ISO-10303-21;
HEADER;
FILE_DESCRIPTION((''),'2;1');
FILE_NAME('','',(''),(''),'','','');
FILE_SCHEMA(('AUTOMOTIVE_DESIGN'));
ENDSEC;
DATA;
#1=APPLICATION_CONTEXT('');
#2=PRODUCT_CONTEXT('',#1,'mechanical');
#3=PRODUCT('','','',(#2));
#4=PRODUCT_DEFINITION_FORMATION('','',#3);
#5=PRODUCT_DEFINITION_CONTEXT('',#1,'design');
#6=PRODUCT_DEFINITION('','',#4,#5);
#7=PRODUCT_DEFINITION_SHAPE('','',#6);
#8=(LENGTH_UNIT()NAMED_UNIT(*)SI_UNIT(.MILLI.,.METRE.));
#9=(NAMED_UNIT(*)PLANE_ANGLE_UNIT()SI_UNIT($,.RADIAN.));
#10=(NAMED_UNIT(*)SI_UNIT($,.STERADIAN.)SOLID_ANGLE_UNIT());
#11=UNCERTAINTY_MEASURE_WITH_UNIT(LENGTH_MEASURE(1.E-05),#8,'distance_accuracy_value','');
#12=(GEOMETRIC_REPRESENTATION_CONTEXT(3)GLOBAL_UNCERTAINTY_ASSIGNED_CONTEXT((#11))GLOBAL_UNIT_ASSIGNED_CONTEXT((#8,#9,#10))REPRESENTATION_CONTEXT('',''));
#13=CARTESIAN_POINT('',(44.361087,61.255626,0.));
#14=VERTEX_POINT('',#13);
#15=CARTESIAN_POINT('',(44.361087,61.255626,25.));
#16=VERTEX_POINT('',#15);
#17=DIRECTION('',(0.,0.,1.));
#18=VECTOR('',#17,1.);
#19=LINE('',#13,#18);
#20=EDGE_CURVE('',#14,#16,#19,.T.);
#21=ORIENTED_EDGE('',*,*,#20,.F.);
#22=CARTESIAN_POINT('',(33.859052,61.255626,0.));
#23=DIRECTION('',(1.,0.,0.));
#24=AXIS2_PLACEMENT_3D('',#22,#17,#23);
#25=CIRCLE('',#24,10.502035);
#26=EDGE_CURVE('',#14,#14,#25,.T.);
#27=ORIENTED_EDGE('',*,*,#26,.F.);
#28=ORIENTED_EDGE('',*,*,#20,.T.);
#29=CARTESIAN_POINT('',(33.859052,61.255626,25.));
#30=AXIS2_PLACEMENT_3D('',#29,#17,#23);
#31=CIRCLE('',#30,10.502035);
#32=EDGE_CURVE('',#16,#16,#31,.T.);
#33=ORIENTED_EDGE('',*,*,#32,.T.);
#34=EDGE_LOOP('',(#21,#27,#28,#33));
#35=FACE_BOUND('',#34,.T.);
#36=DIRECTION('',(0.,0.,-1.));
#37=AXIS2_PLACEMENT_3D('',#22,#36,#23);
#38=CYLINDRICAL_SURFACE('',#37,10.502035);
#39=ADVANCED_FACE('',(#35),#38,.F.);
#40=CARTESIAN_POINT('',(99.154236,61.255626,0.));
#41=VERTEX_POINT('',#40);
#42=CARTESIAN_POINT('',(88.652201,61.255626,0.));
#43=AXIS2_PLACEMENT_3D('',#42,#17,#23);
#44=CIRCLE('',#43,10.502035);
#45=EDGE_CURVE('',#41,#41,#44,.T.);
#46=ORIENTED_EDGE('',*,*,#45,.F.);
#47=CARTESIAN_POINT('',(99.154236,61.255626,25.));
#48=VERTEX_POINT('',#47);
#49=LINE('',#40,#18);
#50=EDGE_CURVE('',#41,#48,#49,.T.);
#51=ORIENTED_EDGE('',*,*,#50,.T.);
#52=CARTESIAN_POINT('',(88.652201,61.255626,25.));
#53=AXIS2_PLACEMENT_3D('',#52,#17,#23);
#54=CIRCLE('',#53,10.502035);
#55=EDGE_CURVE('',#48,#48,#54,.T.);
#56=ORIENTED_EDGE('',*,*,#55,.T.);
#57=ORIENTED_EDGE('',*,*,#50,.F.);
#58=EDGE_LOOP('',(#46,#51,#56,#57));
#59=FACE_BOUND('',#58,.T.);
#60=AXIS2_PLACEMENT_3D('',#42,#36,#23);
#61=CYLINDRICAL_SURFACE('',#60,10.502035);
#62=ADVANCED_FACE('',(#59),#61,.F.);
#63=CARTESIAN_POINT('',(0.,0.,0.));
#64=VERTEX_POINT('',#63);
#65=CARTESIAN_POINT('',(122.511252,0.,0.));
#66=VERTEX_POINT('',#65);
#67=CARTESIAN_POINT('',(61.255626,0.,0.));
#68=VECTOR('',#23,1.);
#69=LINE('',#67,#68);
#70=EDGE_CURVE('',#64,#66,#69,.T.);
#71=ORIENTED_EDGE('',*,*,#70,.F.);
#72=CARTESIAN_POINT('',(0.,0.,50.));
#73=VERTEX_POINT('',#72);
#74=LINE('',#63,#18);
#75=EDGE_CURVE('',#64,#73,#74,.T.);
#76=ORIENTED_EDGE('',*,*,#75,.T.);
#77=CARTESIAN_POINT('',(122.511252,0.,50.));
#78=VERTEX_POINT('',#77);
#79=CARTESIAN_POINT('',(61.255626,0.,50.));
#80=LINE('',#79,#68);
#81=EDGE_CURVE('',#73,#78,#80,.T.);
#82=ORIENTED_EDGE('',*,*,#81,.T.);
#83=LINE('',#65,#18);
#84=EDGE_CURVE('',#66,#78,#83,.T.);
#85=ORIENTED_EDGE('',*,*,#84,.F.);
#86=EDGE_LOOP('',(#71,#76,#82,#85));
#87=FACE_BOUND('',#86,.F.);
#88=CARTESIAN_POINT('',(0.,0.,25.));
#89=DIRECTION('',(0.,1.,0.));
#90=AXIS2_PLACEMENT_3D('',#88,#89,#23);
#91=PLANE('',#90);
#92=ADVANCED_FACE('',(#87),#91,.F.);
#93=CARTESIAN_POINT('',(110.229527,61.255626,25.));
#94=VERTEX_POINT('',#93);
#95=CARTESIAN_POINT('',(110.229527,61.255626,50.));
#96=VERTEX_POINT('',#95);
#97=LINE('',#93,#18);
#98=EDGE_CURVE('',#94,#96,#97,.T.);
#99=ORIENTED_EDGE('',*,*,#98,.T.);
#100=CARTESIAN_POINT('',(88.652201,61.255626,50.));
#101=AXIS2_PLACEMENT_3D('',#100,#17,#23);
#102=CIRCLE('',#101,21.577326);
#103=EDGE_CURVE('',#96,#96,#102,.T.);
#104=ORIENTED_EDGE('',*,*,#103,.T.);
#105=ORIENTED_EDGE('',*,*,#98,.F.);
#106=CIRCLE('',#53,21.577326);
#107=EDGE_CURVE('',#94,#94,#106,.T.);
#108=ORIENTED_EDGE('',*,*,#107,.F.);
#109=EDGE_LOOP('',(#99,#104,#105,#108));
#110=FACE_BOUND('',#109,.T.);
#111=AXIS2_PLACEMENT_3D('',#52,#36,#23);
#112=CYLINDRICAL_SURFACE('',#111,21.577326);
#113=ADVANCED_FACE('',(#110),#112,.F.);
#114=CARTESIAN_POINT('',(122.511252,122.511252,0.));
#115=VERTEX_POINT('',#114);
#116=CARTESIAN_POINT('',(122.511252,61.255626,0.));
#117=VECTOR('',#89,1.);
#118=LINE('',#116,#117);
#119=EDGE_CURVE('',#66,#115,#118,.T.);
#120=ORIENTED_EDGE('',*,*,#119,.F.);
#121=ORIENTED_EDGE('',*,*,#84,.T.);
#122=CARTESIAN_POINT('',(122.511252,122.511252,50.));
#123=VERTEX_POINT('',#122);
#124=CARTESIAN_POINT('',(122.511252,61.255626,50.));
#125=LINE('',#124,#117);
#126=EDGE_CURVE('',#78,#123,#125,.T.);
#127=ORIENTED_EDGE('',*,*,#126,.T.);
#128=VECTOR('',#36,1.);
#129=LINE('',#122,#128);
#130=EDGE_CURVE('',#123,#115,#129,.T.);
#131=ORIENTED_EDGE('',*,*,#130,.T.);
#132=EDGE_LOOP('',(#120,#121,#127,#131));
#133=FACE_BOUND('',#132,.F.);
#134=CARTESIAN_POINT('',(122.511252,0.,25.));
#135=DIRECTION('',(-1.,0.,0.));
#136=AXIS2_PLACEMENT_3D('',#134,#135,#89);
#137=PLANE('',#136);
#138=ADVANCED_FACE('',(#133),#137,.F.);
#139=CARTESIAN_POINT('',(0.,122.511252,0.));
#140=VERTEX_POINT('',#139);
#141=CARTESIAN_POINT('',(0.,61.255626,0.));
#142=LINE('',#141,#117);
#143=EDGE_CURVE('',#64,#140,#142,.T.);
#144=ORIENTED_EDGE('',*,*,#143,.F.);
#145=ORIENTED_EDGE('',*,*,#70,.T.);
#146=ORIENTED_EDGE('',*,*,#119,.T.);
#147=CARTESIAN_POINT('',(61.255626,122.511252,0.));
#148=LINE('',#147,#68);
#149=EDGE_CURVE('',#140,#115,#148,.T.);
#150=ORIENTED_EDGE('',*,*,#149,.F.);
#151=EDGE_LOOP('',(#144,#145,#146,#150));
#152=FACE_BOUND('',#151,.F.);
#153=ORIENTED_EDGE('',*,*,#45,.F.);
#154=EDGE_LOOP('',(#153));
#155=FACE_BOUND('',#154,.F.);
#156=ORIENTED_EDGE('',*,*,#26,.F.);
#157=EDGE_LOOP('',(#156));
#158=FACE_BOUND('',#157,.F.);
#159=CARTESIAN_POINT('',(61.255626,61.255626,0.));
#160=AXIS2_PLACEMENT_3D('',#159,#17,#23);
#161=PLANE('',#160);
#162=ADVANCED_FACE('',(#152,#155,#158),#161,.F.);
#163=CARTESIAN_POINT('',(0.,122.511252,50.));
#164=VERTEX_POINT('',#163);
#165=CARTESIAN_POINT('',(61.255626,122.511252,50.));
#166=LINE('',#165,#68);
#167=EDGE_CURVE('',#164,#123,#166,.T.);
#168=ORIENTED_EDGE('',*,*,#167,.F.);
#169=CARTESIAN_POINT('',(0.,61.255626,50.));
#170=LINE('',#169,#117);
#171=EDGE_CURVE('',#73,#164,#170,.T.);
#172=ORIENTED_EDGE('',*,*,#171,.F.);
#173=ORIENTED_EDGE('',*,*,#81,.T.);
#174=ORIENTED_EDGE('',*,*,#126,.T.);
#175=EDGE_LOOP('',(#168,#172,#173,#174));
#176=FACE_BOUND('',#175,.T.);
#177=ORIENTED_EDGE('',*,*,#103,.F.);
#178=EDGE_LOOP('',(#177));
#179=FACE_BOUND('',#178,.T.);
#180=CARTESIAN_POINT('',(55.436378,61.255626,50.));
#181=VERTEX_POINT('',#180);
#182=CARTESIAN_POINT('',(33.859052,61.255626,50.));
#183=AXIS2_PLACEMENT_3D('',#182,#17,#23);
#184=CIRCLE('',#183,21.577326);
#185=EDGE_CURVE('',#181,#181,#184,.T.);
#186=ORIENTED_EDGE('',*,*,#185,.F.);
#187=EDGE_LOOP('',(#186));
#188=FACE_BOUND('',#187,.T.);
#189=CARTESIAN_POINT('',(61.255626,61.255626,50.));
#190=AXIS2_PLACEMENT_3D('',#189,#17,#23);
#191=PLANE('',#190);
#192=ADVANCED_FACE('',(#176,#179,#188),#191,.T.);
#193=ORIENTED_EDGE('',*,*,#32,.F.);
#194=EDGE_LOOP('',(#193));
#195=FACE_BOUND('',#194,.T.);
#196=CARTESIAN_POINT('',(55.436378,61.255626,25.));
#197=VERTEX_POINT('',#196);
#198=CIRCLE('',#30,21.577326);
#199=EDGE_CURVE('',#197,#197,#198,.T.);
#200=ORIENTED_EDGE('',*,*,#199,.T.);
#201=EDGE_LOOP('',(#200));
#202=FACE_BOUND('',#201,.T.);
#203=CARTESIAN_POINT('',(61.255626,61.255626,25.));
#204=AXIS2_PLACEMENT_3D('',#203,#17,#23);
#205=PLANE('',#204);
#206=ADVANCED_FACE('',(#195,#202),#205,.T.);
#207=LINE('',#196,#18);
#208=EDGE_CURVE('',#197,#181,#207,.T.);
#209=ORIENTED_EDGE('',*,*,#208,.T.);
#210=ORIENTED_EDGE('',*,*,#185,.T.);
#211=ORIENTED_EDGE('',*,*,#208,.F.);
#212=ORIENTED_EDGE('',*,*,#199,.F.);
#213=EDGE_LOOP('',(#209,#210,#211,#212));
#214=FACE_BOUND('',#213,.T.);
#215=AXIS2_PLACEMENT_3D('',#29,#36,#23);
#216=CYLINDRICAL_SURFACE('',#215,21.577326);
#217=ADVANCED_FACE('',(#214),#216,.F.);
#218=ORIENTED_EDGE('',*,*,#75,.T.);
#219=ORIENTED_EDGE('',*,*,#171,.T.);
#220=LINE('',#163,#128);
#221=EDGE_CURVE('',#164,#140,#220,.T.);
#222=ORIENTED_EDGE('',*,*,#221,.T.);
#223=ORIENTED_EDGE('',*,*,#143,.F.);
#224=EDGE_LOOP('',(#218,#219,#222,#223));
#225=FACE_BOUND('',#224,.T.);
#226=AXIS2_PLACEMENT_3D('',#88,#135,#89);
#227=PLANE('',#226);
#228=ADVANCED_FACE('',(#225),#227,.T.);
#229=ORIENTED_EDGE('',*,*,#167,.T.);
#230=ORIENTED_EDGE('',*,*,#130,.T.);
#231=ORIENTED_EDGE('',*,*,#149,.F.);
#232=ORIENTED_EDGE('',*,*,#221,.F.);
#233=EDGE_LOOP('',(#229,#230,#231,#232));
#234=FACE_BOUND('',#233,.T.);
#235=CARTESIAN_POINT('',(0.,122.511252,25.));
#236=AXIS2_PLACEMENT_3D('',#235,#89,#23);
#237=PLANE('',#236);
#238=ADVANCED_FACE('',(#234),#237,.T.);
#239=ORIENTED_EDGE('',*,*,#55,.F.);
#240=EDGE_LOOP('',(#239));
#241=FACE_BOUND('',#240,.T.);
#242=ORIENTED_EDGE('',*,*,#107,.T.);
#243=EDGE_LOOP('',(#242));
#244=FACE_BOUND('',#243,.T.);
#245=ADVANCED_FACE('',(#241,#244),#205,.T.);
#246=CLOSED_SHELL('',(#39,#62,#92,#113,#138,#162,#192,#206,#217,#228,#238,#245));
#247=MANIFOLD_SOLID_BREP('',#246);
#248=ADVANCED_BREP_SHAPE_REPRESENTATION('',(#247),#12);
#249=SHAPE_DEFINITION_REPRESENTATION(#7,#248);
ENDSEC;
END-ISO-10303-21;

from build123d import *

# Parameters (mm, degrees)
F0_W     = 122.511253
F0_H     = 122.511253
F0_R     = 10.502035
F1_DEPTH = 25
F2_W     = 122.511253
F2_H     = 122.511253
F2_R     = 21.577326
F3_DEPTH = 25


with BuildPart() as f1:
    # F0 (on Top) → F1 (new body)
    with BuildSketch(Plane.XY):
        with Locations((61.255626, 61.255626)):
            Rectangle(F0_W, F0_H)
        with Locations((33.859052, 61.255626)):
            Circle(F0_R, mode=Mode.SUBTRACT)
        with Locations((88.652201, 61.255626)):
            Circle(F0_R, mode=Mode.SUBTRACT)
    extrude(amount=F1_DEPTH)

    # F2 (on face) → F3 (join)
    with BuildSketch(Plane.XY.offset(25)):
        with Locations((61.255626, 61.255626)):
            Rectangle(F2_W, F2_H)
        with Locations((33.859052, 61.255626)):
            Circle(F2_R, mode=Mode.SUBTRACT)
        with Locations((88.652201, 61.255626)):
            Circle(F2_R, mode=Mode.SUBTRACT)
    extrude(amount=F3_DEPTH)


solid = f1.part
